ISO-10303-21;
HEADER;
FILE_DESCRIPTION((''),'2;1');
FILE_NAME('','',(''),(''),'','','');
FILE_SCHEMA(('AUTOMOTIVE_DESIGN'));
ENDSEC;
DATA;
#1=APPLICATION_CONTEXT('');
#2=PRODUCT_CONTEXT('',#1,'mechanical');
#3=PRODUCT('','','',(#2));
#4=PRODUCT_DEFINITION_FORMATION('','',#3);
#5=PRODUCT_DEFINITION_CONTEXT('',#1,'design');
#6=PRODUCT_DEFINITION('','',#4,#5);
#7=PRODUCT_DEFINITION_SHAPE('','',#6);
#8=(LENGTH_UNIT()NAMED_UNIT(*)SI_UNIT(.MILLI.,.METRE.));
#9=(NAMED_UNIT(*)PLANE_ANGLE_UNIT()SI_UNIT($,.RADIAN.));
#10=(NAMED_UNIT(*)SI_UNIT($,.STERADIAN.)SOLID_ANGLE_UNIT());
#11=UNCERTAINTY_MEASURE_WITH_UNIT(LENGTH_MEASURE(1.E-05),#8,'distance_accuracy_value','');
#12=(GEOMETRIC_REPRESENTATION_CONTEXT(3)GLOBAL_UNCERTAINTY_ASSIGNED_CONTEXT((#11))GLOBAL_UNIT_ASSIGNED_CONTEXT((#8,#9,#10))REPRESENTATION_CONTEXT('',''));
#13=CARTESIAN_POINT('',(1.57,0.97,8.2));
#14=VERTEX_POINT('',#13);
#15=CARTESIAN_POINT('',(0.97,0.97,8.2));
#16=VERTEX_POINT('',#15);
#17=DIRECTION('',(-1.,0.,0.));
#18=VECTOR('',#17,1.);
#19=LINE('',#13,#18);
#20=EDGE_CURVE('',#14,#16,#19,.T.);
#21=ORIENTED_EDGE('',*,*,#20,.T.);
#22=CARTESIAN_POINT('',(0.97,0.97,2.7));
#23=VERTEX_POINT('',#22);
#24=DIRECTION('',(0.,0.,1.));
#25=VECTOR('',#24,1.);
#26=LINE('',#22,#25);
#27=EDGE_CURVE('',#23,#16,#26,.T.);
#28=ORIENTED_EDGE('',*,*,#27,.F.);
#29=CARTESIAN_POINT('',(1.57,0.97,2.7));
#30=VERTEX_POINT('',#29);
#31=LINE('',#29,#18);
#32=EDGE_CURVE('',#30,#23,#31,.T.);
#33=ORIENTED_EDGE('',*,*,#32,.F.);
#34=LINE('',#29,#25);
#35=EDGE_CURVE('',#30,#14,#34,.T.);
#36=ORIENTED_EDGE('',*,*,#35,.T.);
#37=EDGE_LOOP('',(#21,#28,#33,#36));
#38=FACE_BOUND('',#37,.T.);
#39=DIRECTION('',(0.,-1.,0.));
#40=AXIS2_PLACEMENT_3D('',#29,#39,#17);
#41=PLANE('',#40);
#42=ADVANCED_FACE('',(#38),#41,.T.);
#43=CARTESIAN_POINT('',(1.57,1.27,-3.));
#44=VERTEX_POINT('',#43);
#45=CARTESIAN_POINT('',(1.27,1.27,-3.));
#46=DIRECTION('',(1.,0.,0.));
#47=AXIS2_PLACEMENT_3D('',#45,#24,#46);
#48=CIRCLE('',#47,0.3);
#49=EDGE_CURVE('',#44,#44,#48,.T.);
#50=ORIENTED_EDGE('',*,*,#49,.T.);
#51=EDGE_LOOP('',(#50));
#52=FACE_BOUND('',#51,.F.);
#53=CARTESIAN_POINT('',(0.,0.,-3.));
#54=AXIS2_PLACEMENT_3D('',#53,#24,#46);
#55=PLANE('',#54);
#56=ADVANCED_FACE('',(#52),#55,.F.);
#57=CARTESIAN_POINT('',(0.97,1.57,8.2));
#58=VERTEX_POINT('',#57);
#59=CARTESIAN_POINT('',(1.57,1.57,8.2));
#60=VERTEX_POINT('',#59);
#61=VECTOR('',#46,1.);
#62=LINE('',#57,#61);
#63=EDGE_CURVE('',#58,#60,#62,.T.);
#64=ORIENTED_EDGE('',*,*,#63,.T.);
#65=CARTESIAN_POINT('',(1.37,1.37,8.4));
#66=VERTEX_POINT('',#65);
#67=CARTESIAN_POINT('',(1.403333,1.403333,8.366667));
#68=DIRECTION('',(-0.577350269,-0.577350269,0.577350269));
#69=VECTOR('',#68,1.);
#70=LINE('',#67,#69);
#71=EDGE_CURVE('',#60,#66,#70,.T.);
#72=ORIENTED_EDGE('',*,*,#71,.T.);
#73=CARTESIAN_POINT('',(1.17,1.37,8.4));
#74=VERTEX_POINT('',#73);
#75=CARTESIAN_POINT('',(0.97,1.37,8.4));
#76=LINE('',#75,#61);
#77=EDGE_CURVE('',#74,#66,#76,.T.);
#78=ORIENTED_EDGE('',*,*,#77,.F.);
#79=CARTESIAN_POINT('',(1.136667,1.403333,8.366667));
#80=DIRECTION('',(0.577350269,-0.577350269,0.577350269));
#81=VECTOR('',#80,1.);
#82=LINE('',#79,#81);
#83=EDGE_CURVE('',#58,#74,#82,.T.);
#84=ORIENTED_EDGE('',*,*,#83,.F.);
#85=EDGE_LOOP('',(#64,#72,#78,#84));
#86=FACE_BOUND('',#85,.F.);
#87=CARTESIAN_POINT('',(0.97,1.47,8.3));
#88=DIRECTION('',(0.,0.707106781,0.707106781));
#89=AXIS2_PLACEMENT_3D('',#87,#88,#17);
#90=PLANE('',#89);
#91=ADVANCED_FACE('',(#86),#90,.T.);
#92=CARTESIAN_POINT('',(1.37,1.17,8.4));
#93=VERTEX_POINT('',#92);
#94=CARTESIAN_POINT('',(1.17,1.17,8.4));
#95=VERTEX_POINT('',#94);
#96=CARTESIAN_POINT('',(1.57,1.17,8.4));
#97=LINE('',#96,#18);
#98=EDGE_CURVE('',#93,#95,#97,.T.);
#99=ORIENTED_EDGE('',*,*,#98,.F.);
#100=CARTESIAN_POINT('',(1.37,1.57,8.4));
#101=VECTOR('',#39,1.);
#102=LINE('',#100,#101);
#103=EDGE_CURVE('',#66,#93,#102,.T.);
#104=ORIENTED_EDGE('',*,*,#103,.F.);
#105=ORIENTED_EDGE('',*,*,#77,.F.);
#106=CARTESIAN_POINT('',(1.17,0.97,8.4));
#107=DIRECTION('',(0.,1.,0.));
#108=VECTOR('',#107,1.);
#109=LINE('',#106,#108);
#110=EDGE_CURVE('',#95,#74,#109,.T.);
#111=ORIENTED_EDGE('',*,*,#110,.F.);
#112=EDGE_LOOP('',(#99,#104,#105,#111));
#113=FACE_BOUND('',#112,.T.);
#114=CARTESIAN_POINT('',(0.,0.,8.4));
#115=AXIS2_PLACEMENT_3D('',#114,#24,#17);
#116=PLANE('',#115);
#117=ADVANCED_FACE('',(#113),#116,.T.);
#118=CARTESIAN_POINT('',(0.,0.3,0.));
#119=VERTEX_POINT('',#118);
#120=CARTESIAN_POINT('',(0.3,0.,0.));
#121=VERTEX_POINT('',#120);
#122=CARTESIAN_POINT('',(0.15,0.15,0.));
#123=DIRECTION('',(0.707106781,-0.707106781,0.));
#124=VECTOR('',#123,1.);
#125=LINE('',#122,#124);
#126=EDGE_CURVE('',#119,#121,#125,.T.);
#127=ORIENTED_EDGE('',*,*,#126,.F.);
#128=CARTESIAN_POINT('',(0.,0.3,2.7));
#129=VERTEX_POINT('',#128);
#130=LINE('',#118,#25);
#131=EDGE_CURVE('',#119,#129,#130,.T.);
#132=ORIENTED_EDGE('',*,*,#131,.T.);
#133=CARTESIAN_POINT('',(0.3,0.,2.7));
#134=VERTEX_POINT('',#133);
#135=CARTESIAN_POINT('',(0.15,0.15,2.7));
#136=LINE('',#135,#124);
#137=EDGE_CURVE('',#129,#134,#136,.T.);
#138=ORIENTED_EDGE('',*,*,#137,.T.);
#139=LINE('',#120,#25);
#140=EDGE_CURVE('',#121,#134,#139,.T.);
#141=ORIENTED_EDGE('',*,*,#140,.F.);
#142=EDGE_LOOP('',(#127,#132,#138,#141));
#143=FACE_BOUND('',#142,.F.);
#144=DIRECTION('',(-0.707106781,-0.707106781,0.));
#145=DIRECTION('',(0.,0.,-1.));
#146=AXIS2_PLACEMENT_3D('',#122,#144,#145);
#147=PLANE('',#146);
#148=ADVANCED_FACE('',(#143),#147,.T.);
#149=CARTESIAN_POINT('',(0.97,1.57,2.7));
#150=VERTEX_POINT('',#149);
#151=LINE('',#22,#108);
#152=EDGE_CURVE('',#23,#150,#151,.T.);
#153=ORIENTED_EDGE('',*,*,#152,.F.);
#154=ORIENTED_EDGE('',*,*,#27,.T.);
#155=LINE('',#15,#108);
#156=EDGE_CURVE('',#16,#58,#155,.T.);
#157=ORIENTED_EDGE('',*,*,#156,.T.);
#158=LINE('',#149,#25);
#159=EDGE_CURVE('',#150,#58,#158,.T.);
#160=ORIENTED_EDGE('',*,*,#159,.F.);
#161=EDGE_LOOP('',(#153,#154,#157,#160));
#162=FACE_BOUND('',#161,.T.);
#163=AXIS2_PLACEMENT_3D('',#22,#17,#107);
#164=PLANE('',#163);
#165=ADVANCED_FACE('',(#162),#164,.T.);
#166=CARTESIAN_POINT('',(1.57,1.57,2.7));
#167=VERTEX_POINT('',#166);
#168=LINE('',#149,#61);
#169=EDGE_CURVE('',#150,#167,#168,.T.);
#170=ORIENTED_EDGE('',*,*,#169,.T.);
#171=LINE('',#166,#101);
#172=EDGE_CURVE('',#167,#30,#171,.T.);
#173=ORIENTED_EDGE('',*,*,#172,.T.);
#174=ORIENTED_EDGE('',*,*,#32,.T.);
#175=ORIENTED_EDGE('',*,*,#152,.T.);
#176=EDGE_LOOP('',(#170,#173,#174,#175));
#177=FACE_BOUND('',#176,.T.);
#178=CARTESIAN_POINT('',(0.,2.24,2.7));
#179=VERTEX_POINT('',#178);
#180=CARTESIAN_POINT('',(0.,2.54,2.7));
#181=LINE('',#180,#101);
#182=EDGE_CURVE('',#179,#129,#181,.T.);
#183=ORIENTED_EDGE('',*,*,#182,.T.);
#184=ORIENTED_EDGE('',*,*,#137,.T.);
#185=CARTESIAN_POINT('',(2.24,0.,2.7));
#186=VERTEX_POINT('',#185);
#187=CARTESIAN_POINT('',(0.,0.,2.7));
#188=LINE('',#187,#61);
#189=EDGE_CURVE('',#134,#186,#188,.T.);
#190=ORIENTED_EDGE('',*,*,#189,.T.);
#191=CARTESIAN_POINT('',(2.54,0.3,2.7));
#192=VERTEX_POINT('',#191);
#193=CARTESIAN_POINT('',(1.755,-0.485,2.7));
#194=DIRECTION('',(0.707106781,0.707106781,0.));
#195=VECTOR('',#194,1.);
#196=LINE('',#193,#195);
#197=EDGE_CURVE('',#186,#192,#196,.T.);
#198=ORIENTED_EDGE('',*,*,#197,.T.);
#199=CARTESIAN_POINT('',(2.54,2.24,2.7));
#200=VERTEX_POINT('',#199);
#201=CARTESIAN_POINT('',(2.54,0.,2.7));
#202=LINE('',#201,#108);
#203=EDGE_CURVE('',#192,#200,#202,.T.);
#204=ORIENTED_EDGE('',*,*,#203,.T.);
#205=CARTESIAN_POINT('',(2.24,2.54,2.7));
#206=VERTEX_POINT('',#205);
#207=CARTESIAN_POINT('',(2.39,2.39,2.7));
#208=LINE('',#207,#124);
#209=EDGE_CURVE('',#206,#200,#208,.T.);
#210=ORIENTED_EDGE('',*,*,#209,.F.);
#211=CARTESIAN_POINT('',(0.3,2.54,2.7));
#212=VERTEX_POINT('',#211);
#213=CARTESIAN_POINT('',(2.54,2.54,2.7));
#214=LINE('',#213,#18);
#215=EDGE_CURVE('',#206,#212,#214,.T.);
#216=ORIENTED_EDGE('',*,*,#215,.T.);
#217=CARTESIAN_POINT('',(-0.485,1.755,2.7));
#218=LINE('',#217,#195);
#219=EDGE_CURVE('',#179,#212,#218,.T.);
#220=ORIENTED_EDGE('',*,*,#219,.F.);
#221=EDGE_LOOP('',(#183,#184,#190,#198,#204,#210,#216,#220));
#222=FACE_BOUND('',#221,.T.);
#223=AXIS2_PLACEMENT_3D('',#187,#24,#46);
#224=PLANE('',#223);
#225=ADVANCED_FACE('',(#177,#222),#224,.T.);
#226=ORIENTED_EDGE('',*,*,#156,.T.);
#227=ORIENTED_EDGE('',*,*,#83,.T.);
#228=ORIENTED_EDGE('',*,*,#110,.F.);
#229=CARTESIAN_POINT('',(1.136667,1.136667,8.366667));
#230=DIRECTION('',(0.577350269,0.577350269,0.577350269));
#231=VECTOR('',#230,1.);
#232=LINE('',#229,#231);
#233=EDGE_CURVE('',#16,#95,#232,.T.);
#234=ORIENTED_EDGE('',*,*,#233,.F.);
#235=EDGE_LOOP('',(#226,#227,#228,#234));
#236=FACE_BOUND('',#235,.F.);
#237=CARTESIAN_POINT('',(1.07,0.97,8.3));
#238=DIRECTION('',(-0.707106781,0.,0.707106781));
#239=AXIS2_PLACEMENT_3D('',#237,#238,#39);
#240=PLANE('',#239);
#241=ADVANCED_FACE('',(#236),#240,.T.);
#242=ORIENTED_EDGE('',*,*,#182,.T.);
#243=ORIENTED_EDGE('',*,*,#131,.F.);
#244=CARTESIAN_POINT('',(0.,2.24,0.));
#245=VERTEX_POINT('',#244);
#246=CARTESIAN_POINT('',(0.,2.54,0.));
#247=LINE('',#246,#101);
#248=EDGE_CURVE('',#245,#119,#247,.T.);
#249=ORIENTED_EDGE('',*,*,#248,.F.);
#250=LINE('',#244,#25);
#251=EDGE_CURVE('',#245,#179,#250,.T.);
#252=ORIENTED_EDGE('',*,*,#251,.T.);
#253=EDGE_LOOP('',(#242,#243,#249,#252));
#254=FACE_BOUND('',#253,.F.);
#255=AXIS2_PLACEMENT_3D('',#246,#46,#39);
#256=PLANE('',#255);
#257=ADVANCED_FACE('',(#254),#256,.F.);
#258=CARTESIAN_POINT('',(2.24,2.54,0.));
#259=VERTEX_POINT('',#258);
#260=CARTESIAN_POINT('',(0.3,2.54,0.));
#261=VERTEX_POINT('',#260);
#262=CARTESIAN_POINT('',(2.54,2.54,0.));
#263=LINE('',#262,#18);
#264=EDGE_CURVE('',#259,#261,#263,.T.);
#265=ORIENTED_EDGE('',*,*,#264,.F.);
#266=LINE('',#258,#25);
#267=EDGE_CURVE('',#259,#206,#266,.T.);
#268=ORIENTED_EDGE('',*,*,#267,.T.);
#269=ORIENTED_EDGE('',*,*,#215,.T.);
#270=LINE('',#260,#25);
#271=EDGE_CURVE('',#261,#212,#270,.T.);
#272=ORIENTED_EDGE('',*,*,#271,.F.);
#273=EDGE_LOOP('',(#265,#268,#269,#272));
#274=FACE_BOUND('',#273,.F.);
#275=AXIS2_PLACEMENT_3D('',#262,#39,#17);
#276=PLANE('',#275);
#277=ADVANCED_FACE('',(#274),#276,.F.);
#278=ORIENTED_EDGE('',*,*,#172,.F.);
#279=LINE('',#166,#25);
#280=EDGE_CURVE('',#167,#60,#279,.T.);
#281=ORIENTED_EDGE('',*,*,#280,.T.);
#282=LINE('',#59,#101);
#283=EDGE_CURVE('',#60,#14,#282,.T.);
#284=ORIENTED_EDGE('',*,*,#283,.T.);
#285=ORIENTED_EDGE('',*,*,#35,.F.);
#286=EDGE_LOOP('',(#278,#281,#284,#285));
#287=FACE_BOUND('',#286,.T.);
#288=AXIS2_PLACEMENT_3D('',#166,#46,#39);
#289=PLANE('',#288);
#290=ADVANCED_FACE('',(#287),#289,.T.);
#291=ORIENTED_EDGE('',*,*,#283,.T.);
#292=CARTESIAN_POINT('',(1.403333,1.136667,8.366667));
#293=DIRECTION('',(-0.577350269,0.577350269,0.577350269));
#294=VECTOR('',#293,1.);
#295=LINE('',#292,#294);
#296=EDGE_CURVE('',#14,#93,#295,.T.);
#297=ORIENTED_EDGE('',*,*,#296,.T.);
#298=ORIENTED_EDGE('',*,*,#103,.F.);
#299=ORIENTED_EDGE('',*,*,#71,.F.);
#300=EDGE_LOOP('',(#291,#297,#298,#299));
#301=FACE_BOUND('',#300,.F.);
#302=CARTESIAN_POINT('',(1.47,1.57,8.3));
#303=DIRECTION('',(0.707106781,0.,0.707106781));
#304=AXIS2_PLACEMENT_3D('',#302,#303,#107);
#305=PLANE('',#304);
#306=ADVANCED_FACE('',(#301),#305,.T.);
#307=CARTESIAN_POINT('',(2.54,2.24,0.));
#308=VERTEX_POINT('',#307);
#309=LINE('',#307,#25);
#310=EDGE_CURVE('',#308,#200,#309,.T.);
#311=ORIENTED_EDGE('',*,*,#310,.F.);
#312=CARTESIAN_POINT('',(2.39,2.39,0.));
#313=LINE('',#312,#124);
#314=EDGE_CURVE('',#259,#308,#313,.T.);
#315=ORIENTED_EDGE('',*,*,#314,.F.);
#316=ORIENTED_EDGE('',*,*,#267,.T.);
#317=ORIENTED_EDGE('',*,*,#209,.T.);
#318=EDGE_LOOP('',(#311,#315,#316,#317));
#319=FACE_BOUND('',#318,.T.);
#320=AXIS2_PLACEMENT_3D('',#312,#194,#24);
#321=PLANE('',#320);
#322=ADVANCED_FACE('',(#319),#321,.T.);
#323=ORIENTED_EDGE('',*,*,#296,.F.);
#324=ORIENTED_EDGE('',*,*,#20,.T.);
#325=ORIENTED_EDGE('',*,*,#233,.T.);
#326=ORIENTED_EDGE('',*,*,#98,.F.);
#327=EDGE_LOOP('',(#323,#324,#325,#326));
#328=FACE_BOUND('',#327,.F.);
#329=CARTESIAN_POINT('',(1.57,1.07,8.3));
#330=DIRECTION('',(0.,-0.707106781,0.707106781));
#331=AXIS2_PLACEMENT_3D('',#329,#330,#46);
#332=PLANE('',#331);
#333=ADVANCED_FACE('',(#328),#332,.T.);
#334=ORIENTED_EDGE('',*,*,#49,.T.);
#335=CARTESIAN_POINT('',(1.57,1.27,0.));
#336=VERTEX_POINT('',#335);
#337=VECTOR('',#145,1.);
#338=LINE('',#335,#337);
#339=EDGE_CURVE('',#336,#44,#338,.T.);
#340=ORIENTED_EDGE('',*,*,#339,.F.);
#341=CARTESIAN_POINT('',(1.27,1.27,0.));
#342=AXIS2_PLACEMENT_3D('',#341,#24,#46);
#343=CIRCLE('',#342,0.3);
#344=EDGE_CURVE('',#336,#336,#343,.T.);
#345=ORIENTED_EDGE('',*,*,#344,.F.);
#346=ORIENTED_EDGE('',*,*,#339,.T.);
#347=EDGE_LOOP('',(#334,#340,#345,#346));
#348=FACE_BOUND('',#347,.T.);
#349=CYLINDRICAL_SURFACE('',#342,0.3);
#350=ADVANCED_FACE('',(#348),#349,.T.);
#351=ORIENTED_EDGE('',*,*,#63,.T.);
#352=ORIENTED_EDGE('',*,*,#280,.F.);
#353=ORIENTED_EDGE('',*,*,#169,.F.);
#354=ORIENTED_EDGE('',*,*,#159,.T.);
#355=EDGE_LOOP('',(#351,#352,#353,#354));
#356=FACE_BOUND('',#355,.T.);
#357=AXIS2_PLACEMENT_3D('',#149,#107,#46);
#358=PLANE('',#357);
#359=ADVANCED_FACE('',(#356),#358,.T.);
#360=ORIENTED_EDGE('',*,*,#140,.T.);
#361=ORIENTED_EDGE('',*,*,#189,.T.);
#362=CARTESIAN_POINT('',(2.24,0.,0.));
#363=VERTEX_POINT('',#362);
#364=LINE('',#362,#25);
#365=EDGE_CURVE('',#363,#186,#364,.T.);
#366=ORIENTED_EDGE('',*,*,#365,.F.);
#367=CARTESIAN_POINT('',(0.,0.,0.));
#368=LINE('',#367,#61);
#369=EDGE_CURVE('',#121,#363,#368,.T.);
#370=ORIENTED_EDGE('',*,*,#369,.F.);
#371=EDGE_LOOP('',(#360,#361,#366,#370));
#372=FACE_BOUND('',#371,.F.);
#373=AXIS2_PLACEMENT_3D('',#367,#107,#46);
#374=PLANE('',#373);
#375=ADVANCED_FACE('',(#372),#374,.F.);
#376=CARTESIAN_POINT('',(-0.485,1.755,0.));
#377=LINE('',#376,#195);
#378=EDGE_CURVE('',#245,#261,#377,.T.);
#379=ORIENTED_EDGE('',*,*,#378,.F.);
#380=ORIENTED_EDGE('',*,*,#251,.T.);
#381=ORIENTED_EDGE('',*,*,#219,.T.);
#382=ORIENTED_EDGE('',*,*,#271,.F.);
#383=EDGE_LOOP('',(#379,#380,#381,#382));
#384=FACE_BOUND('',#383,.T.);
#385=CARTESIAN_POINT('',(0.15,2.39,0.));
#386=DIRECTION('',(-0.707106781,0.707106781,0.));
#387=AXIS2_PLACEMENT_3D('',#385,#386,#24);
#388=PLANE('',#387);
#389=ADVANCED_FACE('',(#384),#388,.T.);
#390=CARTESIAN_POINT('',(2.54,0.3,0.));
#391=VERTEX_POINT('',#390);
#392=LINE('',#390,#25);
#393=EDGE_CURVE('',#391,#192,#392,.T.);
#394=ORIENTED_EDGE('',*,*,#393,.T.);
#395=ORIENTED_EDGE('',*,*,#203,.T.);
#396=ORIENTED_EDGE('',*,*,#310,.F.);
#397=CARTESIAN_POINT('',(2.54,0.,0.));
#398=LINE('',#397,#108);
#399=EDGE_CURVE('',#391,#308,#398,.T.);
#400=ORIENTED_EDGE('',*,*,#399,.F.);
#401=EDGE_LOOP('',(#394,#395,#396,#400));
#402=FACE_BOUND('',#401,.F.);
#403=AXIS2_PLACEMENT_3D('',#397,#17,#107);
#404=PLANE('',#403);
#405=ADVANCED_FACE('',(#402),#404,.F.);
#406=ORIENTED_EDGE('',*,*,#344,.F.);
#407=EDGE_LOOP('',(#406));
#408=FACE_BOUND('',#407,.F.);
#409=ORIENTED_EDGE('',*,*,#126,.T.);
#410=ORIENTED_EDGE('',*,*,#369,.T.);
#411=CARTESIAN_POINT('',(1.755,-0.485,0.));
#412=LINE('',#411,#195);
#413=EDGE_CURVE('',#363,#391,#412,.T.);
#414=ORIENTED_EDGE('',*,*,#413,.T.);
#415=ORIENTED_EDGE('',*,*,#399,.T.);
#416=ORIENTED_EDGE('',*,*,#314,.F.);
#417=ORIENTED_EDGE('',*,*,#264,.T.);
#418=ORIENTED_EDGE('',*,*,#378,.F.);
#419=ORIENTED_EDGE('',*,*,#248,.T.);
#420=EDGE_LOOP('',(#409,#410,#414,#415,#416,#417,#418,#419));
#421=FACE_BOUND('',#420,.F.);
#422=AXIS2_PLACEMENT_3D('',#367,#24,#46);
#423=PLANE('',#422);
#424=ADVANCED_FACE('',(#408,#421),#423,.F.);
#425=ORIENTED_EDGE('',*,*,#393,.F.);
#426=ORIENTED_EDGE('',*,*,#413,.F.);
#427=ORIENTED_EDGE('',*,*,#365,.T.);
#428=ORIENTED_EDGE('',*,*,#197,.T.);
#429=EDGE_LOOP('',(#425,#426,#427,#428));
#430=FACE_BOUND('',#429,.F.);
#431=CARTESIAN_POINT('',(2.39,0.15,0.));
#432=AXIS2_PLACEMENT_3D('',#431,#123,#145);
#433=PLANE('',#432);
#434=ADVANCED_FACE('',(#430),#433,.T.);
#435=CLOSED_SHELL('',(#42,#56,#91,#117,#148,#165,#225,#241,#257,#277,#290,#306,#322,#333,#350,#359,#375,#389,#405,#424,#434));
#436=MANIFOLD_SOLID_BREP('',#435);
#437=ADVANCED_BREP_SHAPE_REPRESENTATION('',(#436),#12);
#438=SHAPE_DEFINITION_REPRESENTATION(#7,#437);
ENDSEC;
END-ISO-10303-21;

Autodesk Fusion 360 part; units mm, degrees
sketch "スケッチ1" plane through (0, 0, 0) normal (0, 0, 1) x (1, 0, 0)
  line L0 (0, 0) -> (2.54, 0)
  line L1 (2.54, 0) -> (2.54, 2.54)
  line L2 (2.54, 2.54) -> (0, 2.54)
  line L3 (0, 2.54) -> (0, 0)
  circle A0 centre (1.27, 1.27) radius 0.3
  dimension "d1" = 2.54
  dimension "d2" = 2.54
  dimension "d12" = 0.6
  dimension "d13" = 1.27
  dimension "d14" = 1.27
extrude "押し出し1" add sketch "スケッチ1" along normal blind 2.7 contours L0 L1 L2 L3 | A0
sketch "スケッチ2" plane through (0, 0, 2.7) normal (0, 0, 1) x (-1, 0, 0)
  line L0 (0, -2.54) -> (0, 0)
  line L1 (0, 0) -> (-2.54, 0)
  line L2 (-2.54, 0) -> (-2.54, -2.54)
  line L3 (-2.54, -2.54) -> (0, -2.54)
  line L4 (-0.97, -1.57) -> (-1.57, -1.57)
  line L5 (-1.57, -1.57) -> (-1.57, -0.97)
  line L6 (-1.57, -0.97) -> (-0.97, -0.97)
  line L7 (-0.97, -0.97) -> (-0.97, -1.57)
  dimension "d5" = 0.6
  dimension "d6" = 0.6
  dimension "d7" = 0.97
  dimension "d8" = 0.97
extrude "押し出し2" add sketch "スケッチ2" along normal blind 5.7 contours L4 L5 L6 L7
chamfer "面取り1" distance 0.2 angle 45 4 edges at (1.27, 0.97, 8.4) (1.57, 1.27, 8.4) (1.27, 1.57, 8.4) (0.97, 1.27, 8.4)
extrude "押し出し3" add sketch "スケッチ1" against normal blind 3 contours A0
chamfer "面取り2" distance 0.3 angle 45 4 edges at (0, 2.54, 1.35) (0, 0, 1.35) (2.54, 0, 1.35) (2.54, 2.54, 1.35)
